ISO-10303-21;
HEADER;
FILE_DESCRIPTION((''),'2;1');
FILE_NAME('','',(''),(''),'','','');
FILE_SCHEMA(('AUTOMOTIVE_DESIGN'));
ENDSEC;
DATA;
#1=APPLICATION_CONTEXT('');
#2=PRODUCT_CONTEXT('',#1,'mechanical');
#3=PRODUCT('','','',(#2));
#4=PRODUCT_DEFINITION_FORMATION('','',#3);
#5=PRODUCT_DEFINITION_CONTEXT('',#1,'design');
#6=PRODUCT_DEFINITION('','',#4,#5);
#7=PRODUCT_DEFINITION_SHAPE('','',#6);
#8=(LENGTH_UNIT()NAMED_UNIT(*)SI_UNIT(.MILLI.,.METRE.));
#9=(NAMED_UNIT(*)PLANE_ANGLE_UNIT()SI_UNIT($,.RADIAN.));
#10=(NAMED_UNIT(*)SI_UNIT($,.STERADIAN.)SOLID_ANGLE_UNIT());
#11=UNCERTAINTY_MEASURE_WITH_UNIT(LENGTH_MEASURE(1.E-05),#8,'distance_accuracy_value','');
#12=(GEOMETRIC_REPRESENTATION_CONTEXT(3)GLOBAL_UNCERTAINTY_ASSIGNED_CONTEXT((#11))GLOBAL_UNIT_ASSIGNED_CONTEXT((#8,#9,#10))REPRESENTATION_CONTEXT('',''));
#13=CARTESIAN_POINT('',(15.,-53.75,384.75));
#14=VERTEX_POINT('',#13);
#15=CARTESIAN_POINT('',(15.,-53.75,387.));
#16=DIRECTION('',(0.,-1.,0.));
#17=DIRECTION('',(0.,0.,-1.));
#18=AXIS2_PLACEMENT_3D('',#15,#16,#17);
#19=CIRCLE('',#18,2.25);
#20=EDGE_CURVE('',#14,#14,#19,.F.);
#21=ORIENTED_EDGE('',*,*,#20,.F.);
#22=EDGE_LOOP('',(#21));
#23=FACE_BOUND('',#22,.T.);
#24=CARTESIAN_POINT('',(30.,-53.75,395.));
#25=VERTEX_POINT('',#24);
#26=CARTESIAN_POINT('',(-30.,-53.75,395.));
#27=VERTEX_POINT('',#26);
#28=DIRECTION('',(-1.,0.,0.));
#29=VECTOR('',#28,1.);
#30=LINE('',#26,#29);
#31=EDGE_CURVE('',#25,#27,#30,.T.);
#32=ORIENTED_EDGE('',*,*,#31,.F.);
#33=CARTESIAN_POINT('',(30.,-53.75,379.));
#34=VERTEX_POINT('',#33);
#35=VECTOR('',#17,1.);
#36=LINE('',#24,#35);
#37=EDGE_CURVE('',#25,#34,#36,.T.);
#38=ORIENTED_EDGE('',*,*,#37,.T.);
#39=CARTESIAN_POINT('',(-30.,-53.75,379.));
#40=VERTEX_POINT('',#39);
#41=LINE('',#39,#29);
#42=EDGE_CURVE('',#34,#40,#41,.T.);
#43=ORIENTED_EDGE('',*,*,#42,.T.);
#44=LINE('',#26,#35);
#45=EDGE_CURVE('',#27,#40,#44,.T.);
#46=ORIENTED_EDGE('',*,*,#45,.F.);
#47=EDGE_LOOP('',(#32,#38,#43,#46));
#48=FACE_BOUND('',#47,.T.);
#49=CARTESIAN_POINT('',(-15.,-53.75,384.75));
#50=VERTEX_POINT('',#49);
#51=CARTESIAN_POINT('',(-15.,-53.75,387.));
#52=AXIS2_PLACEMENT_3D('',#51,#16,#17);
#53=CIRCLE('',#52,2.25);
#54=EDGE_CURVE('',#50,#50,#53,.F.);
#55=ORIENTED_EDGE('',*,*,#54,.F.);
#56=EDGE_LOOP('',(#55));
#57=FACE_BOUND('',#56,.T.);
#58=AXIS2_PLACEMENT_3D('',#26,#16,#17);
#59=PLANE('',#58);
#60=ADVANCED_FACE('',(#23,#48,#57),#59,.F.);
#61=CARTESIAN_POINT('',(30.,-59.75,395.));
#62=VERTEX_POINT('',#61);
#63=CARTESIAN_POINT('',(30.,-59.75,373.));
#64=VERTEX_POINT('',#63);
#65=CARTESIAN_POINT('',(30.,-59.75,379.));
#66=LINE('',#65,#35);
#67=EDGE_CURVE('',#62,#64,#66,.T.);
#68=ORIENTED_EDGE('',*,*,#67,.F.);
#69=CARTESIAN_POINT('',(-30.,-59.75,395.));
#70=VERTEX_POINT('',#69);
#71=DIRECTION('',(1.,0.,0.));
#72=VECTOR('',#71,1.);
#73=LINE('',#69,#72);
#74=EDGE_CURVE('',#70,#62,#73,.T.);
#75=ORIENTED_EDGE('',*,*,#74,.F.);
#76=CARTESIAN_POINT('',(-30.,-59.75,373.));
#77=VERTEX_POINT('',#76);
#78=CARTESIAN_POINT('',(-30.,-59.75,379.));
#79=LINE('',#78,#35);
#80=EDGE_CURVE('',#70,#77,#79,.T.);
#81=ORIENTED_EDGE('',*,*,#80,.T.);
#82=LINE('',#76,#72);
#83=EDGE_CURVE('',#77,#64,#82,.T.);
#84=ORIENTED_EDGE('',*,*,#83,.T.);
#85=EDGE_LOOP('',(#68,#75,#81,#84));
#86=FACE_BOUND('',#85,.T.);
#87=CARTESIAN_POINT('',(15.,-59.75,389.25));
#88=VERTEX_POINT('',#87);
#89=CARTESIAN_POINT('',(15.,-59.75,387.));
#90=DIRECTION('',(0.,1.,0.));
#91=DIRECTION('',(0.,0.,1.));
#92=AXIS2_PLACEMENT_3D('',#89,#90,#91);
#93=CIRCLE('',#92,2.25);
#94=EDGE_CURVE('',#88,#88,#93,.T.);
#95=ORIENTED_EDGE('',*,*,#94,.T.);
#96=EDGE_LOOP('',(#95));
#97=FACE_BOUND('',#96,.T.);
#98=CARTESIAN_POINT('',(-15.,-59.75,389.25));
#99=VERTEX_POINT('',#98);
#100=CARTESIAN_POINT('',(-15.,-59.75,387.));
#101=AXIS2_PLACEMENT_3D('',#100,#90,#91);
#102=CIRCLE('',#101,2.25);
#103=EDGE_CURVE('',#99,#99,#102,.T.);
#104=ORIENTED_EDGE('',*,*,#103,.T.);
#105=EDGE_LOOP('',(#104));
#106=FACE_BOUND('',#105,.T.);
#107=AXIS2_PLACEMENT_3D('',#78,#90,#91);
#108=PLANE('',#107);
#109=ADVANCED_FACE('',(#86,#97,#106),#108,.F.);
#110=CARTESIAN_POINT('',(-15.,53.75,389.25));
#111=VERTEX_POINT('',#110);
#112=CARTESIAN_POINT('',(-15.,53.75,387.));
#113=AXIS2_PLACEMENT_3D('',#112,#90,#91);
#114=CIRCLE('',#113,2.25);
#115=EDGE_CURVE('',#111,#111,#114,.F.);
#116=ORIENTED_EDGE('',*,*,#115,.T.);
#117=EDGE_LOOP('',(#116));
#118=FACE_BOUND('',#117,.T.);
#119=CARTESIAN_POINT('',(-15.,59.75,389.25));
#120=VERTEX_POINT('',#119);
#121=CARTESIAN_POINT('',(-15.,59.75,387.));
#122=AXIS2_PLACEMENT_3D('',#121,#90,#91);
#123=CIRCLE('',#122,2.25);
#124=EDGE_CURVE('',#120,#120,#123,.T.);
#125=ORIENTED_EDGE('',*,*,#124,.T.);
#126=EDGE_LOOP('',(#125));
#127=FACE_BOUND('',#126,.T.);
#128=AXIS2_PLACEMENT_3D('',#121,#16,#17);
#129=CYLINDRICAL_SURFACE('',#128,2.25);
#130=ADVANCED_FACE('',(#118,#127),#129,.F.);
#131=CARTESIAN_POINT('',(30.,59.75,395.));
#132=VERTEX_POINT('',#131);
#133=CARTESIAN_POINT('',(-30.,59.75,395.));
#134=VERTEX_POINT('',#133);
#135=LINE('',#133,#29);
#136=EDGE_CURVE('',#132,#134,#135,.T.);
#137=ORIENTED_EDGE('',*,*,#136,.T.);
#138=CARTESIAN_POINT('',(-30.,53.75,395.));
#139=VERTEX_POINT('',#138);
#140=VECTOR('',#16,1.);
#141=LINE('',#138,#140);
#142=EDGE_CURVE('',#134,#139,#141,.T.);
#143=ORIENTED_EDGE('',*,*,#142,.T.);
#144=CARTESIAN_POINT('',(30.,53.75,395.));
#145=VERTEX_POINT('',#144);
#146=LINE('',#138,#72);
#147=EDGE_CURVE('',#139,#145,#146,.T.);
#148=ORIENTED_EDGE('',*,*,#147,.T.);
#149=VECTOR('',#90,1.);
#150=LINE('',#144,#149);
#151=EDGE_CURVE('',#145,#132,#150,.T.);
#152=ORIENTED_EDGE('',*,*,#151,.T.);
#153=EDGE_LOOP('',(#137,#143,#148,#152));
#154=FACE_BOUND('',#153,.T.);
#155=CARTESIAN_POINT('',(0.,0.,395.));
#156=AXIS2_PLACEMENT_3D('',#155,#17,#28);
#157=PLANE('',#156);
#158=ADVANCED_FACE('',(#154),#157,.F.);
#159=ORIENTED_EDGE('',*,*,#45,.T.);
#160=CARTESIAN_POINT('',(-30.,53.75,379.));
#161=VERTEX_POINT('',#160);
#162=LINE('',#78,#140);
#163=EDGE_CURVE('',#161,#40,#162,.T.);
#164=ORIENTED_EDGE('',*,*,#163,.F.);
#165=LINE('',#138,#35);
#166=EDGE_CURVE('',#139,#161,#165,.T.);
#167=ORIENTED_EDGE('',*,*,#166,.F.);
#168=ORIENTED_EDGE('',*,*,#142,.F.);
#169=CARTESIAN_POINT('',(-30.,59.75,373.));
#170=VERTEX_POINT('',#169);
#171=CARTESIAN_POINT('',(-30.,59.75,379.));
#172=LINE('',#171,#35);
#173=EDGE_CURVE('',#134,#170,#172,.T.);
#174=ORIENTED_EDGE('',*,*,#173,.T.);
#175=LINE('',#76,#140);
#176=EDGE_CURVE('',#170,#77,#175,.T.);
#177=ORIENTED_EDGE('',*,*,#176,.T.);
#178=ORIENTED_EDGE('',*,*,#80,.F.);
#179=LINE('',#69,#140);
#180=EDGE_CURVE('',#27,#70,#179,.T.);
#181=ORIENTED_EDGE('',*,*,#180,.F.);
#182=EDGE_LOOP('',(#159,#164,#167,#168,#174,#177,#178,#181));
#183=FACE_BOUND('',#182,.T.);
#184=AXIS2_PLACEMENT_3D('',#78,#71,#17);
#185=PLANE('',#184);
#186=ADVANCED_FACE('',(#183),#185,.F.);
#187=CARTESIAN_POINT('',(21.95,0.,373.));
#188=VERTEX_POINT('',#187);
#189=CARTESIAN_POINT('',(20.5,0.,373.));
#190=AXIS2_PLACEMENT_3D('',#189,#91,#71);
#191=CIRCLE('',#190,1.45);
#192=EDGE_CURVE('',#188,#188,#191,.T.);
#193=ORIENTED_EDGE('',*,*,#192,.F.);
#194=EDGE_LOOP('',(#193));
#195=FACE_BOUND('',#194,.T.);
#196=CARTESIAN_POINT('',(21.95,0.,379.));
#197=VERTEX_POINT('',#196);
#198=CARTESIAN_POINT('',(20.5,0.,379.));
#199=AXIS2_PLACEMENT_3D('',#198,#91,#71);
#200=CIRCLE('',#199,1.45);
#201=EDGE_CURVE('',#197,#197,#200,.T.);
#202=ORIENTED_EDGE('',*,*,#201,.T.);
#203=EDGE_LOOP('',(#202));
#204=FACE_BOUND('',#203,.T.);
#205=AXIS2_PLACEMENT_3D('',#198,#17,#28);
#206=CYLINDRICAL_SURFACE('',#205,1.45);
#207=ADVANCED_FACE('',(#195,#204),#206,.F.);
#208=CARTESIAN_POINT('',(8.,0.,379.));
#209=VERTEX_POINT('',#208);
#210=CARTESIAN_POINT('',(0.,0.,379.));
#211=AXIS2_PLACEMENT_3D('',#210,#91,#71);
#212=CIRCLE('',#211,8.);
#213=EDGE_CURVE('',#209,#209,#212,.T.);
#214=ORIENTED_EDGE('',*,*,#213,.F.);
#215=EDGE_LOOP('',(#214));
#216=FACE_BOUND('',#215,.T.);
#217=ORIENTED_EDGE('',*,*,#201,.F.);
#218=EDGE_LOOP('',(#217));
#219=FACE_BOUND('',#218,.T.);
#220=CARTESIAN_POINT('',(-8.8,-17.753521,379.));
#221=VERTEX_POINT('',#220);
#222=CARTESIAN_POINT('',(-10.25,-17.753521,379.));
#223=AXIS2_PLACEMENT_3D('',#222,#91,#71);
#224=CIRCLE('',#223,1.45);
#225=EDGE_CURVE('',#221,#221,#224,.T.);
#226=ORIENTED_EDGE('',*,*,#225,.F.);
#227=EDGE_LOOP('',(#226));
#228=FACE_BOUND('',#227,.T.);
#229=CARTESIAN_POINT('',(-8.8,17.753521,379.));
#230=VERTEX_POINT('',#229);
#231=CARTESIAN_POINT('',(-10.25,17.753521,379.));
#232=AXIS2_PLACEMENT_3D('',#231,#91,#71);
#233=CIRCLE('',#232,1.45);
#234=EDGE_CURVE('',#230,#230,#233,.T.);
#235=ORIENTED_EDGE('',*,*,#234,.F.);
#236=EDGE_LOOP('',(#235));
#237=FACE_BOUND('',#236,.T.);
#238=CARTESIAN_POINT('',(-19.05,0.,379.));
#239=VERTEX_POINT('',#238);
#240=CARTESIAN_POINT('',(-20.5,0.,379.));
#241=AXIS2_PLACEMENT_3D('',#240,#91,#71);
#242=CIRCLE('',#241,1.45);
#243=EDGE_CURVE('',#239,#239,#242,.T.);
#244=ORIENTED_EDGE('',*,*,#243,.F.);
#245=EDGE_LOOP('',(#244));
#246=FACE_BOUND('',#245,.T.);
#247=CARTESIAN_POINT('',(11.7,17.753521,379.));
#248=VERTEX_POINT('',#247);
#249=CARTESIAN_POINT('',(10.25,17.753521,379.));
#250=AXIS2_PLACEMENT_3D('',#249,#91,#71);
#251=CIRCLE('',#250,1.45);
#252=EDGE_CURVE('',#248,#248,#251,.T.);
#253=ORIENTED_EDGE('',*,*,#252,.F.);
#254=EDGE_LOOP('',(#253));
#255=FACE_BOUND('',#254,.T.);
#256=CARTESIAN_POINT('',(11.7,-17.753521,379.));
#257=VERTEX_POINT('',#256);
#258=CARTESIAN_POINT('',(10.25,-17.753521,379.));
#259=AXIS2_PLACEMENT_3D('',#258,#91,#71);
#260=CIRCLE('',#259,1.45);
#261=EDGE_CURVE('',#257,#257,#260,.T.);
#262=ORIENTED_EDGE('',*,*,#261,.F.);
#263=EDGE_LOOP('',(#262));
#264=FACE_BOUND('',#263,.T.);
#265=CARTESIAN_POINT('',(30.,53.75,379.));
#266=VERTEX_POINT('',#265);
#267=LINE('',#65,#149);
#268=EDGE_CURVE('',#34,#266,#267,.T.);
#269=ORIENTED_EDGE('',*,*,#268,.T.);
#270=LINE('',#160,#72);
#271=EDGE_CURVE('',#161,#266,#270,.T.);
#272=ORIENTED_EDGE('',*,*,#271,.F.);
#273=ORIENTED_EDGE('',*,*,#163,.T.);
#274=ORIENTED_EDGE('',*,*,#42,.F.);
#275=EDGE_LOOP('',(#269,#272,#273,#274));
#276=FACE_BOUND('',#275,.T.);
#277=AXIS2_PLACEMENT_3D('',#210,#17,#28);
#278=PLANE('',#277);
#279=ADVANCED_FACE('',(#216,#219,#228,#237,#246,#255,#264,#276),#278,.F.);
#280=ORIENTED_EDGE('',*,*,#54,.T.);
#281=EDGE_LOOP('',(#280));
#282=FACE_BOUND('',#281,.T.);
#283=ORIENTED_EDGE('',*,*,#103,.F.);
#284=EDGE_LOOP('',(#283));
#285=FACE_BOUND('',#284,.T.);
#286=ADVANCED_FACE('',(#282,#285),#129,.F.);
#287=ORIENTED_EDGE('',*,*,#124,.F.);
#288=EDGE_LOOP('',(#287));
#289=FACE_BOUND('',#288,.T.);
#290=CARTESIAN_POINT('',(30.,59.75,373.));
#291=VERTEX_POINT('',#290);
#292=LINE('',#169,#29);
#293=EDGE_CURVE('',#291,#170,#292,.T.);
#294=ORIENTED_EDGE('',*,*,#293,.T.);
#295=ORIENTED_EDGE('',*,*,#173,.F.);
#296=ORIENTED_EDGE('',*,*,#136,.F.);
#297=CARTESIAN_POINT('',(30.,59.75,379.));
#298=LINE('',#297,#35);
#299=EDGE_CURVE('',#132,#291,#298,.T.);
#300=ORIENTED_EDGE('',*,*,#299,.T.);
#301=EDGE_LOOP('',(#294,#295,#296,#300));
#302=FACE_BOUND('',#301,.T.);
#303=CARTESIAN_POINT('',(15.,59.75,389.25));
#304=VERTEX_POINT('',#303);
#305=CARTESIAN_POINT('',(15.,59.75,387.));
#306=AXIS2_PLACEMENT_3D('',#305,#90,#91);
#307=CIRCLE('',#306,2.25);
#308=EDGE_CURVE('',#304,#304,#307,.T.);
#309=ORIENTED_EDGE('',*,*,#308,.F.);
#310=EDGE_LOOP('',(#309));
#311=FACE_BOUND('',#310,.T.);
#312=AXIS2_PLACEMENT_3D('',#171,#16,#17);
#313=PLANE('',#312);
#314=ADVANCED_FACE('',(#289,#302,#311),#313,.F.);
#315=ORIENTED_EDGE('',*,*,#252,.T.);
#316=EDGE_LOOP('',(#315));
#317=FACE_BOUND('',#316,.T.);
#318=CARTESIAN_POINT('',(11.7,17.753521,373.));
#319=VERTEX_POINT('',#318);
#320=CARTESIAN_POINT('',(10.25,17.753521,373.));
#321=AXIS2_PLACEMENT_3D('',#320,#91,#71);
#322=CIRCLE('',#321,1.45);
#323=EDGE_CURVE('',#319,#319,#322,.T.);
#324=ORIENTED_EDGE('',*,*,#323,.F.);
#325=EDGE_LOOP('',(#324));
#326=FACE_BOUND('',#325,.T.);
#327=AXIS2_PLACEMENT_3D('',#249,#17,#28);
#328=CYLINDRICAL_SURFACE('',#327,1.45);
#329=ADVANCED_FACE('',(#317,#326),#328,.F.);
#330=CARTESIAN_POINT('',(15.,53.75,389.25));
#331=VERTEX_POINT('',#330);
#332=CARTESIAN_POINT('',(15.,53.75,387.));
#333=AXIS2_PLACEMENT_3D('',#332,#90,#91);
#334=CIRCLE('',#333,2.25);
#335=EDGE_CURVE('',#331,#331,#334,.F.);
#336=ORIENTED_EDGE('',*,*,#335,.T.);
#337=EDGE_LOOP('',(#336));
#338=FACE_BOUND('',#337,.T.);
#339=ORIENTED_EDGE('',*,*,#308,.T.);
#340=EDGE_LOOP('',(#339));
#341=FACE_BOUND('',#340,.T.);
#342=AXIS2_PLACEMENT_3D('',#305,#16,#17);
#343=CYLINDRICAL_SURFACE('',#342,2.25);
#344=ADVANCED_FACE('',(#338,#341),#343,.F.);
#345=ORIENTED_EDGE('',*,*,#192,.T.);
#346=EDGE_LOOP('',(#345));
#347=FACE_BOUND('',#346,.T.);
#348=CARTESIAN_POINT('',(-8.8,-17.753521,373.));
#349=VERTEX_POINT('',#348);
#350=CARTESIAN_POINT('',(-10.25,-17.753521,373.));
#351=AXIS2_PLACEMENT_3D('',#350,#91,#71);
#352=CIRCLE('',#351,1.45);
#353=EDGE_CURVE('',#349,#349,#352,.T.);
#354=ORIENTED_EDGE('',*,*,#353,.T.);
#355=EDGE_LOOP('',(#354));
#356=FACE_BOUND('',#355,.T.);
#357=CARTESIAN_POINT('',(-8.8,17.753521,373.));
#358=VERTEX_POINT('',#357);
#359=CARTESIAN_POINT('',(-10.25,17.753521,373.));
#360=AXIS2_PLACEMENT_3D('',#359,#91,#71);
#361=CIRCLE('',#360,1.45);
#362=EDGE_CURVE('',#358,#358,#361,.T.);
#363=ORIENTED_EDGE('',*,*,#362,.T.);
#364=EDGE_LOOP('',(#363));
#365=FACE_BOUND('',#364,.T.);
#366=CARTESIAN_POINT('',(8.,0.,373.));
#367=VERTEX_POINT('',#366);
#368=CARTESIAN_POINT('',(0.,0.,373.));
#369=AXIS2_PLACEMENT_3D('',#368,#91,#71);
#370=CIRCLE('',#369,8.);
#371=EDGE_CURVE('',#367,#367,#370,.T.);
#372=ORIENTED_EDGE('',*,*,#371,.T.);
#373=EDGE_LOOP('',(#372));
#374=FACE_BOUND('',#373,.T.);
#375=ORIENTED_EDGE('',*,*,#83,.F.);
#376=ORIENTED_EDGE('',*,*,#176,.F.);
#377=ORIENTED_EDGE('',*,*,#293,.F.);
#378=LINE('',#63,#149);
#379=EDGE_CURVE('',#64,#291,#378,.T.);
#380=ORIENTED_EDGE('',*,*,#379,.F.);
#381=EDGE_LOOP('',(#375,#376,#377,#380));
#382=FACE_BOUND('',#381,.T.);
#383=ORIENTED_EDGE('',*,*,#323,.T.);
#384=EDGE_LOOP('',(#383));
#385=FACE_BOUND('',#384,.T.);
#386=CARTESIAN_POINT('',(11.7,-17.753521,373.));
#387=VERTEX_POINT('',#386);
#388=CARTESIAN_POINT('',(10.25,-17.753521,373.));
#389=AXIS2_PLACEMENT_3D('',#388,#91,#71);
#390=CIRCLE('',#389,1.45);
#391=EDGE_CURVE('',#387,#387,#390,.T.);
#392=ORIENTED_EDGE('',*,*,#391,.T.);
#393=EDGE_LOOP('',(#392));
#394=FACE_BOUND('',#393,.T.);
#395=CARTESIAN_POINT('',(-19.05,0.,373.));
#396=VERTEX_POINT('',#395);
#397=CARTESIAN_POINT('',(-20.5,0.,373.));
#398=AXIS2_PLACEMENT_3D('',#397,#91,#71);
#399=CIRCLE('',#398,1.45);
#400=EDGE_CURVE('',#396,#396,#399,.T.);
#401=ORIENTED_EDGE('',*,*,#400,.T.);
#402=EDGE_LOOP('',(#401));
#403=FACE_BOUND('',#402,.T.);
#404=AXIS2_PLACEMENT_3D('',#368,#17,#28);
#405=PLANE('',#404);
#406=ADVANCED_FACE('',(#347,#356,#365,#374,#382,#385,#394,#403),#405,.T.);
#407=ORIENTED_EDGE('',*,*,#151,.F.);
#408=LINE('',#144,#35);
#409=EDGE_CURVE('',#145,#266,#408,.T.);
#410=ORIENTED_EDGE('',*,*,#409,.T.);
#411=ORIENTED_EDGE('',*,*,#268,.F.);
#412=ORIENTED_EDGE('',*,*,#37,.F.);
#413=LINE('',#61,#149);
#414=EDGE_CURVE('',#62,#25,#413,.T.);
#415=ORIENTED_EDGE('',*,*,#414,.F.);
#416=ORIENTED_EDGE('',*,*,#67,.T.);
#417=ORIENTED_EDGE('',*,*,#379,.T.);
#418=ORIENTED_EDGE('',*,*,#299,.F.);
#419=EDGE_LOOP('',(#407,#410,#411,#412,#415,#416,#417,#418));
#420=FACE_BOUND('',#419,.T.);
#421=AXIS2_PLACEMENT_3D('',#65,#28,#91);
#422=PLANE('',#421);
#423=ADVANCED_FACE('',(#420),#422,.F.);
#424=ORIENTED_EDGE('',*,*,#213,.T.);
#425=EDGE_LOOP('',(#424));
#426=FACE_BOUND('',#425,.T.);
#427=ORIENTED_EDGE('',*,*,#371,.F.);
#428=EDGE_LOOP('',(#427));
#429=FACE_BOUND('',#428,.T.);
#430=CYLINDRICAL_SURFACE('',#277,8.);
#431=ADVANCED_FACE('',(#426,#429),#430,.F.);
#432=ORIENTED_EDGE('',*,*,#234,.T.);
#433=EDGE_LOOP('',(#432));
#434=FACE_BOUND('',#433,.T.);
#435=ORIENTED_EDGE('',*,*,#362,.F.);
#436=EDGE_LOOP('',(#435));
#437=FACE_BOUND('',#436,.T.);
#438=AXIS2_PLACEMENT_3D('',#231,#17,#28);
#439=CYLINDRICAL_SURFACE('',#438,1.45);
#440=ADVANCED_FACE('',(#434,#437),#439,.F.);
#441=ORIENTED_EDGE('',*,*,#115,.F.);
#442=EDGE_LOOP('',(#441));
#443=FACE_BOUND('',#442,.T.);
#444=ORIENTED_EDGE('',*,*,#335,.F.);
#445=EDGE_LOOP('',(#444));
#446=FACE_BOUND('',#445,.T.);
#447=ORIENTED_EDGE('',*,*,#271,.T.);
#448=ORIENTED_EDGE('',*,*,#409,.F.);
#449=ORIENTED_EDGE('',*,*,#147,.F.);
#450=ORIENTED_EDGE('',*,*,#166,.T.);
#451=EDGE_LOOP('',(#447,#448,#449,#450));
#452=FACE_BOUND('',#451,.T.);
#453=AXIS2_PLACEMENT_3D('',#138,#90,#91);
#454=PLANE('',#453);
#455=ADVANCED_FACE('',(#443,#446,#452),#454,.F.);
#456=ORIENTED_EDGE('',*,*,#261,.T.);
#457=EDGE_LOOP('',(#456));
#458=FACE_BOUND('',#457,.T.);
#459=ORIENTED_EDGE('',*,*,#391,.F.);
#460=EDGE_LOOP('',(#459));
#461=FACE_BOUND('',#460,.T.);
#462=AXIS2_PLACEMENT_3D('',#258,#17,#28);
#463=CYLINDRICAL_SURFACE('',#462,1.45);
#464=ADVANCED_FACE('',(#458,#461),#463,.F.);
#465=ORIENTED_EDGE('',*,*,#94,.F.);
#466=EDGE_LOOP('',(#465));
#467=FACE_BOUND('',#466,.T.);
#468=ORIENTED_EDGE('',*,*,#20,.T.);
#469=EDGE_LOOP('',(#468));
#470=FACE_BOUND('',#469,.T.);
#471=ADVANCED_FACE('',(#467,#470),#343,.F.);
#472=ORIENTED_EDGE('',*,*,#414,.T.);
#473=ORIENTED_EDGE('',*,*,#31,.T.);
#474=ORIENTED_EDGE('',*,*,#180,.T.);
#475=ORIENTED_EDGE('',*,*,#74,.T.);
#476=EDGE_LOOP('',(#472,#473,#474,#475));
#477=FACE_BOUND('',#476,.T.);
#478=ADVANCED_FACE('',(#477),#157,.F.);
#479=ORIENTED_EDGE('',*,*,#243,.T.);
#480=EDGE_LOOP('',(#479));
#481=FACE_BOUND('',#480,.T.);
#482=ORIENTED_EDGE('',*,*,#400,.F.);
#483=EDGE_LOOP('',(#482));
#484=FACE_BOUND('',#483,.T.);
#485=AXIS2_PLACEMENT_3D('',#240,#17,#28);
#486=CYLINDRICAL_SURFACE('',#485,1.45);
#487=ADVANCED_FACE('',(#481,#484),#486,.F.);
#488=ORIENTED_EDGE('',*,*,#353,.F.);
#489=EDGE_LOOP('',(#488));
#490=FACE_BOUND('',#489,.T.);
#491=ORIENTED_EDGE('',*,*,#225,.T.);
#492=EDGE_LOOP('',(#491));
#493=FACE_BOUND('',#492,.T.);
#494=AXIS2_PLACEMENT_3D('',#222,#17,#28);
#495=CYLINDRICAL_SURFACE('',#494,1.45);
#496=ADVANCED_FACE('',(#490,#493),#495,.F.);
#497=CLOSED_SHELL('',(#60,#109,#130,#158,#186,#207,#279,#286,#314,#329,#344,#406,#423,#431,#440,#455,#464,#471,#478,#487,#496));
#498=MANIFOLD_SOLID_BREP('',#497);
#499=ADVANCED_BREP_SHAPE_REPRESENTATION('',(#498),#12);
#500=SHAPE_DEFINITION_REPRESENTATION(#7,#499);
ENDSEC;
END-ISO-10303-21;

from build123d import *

# Parameters (mm, degrees)
REPISA_START                   = 373
SK_REPISA_W                    = 60
SK_REPISA_H                    = 119.5
REPISA_DEPTH                   = 6
CENTRO_MOTOR_START             = 373
SK_CENTRO_MOTOR_R              = 8
CENTRO_MOTOR_DEPTH             = 6
PASANTES_M2_5_ESTATOR_J4_START = 373
SK_PASANTES_M2_5_ESTATOR_J4_R  = 1.45
PASANTES_M2_5_ESTATOR_J4_DEPTH = 6
PESTANAS_START                 = 379
SK_PESTANAS_W                  = 60
SK_PESTANAS_H                  = 6
PESTANAS_DEPTH                 = 16
PASANTES_M4_PESTANAS_START     = -59.75
SK_PASANTES_M4_PESTANAS_R      = 2.25
PASANTES_M4_PESTANAS_DEPTH     = 119.5


with BuildPart() as part:
    # Sk_Repisa → Repisa (new body)
    with BuildSketch(Plane.XY.offset(REPISA_START)):
        Rectangle(SK_REPISA_W, SK_REPISA_H)
    extrude(amount=REPISA_DEPTH)

    # Sk_Centro_motor → Centro_motor (cut)
    with BuildSketch(Plane.XY.offset(CENTRO_MOTOR_START)):
        Circle(SK_CENTRO_MOTOR_R)
    extrude(amount=CENTRO_MOTOR_DEPTH, mode=Mode.SUBTRACT)

    # Sk_Pasantes_M2-5_estator_J4 → Pasantes_M2-5_estator_J4 (cut)
    with BuildSketch(Plane.XY.offset(PASANTES_M2_5_ESTATOR_J4_START)):
        with Locations((20.5, 0)):
            Circle(SK_PASANTES_M2_5_ESTATOR_J4_R)
        with Locations((10.25, 17.753520778)):
            Circle(SK_PASANTES_M2_5_ESTATOR_J4_R)
        with Locations((-10.25, 17.753520778)):
            Circle(SK_PASANTES_M2_5_ESTATOR_J4_R)
        with Locations((-20.5, 0)):
            Circle(SK_PASANTES_M2_5_ESTATOR_J4_R)
        with Locations((-10.25, -17.753520778)):
            Circle(SK_PASANTES_M2_5_ESTATOR_J4_R)
        with Locations((10.25, -17.753520778)):
            Circle(SK_PASANTES_M2_5_ESTATOR_J4_R)
    extrude(amount=PASANTES_M2_5_ESTATOR_J4_DEPTH, mode=Mode.SUBTRACT)

    # Sk_Pestanas → Pestanas (add)
    with BuildSketch(Plane.XY.offset(PESTANAS_START)):
        with Locations((0, 56.75)):
            Rectangle(SK_PESTANAS_W, SK_PESTANAS_H)
        with Locations((0, -56.75)):
            Rectangle(SK_PESTANAS_W, SK_PESTANAS_H)
    extrude(amount=PESTANAS_DEPTH)

    # Sk_Pasantes_M4_pestanas → Pasantes_M4_pestanas (cut)
    with BuildSketch(Plane(origin=(0, 0, 0), x_dir=(1, 0, 0), z_dir=(0, 1, 0)).offset(PASANTES_M4_PESTANAS_START)):
        with Locations(Location((-15, -387, 0), (0, 0, 270))):
            Circle(SK_PASANTES_M4_PESTANAS_R)
        with Locations(Location((15, -387, 0), (0, 0, 270))):
            Circle(SK_PASANTES_M4_PESTANAS_R)
    extrude(amount=PASANTES_M4_PESTANAS_DEPTH, mode=Mode.SUBTRACT)


solid = part.part
